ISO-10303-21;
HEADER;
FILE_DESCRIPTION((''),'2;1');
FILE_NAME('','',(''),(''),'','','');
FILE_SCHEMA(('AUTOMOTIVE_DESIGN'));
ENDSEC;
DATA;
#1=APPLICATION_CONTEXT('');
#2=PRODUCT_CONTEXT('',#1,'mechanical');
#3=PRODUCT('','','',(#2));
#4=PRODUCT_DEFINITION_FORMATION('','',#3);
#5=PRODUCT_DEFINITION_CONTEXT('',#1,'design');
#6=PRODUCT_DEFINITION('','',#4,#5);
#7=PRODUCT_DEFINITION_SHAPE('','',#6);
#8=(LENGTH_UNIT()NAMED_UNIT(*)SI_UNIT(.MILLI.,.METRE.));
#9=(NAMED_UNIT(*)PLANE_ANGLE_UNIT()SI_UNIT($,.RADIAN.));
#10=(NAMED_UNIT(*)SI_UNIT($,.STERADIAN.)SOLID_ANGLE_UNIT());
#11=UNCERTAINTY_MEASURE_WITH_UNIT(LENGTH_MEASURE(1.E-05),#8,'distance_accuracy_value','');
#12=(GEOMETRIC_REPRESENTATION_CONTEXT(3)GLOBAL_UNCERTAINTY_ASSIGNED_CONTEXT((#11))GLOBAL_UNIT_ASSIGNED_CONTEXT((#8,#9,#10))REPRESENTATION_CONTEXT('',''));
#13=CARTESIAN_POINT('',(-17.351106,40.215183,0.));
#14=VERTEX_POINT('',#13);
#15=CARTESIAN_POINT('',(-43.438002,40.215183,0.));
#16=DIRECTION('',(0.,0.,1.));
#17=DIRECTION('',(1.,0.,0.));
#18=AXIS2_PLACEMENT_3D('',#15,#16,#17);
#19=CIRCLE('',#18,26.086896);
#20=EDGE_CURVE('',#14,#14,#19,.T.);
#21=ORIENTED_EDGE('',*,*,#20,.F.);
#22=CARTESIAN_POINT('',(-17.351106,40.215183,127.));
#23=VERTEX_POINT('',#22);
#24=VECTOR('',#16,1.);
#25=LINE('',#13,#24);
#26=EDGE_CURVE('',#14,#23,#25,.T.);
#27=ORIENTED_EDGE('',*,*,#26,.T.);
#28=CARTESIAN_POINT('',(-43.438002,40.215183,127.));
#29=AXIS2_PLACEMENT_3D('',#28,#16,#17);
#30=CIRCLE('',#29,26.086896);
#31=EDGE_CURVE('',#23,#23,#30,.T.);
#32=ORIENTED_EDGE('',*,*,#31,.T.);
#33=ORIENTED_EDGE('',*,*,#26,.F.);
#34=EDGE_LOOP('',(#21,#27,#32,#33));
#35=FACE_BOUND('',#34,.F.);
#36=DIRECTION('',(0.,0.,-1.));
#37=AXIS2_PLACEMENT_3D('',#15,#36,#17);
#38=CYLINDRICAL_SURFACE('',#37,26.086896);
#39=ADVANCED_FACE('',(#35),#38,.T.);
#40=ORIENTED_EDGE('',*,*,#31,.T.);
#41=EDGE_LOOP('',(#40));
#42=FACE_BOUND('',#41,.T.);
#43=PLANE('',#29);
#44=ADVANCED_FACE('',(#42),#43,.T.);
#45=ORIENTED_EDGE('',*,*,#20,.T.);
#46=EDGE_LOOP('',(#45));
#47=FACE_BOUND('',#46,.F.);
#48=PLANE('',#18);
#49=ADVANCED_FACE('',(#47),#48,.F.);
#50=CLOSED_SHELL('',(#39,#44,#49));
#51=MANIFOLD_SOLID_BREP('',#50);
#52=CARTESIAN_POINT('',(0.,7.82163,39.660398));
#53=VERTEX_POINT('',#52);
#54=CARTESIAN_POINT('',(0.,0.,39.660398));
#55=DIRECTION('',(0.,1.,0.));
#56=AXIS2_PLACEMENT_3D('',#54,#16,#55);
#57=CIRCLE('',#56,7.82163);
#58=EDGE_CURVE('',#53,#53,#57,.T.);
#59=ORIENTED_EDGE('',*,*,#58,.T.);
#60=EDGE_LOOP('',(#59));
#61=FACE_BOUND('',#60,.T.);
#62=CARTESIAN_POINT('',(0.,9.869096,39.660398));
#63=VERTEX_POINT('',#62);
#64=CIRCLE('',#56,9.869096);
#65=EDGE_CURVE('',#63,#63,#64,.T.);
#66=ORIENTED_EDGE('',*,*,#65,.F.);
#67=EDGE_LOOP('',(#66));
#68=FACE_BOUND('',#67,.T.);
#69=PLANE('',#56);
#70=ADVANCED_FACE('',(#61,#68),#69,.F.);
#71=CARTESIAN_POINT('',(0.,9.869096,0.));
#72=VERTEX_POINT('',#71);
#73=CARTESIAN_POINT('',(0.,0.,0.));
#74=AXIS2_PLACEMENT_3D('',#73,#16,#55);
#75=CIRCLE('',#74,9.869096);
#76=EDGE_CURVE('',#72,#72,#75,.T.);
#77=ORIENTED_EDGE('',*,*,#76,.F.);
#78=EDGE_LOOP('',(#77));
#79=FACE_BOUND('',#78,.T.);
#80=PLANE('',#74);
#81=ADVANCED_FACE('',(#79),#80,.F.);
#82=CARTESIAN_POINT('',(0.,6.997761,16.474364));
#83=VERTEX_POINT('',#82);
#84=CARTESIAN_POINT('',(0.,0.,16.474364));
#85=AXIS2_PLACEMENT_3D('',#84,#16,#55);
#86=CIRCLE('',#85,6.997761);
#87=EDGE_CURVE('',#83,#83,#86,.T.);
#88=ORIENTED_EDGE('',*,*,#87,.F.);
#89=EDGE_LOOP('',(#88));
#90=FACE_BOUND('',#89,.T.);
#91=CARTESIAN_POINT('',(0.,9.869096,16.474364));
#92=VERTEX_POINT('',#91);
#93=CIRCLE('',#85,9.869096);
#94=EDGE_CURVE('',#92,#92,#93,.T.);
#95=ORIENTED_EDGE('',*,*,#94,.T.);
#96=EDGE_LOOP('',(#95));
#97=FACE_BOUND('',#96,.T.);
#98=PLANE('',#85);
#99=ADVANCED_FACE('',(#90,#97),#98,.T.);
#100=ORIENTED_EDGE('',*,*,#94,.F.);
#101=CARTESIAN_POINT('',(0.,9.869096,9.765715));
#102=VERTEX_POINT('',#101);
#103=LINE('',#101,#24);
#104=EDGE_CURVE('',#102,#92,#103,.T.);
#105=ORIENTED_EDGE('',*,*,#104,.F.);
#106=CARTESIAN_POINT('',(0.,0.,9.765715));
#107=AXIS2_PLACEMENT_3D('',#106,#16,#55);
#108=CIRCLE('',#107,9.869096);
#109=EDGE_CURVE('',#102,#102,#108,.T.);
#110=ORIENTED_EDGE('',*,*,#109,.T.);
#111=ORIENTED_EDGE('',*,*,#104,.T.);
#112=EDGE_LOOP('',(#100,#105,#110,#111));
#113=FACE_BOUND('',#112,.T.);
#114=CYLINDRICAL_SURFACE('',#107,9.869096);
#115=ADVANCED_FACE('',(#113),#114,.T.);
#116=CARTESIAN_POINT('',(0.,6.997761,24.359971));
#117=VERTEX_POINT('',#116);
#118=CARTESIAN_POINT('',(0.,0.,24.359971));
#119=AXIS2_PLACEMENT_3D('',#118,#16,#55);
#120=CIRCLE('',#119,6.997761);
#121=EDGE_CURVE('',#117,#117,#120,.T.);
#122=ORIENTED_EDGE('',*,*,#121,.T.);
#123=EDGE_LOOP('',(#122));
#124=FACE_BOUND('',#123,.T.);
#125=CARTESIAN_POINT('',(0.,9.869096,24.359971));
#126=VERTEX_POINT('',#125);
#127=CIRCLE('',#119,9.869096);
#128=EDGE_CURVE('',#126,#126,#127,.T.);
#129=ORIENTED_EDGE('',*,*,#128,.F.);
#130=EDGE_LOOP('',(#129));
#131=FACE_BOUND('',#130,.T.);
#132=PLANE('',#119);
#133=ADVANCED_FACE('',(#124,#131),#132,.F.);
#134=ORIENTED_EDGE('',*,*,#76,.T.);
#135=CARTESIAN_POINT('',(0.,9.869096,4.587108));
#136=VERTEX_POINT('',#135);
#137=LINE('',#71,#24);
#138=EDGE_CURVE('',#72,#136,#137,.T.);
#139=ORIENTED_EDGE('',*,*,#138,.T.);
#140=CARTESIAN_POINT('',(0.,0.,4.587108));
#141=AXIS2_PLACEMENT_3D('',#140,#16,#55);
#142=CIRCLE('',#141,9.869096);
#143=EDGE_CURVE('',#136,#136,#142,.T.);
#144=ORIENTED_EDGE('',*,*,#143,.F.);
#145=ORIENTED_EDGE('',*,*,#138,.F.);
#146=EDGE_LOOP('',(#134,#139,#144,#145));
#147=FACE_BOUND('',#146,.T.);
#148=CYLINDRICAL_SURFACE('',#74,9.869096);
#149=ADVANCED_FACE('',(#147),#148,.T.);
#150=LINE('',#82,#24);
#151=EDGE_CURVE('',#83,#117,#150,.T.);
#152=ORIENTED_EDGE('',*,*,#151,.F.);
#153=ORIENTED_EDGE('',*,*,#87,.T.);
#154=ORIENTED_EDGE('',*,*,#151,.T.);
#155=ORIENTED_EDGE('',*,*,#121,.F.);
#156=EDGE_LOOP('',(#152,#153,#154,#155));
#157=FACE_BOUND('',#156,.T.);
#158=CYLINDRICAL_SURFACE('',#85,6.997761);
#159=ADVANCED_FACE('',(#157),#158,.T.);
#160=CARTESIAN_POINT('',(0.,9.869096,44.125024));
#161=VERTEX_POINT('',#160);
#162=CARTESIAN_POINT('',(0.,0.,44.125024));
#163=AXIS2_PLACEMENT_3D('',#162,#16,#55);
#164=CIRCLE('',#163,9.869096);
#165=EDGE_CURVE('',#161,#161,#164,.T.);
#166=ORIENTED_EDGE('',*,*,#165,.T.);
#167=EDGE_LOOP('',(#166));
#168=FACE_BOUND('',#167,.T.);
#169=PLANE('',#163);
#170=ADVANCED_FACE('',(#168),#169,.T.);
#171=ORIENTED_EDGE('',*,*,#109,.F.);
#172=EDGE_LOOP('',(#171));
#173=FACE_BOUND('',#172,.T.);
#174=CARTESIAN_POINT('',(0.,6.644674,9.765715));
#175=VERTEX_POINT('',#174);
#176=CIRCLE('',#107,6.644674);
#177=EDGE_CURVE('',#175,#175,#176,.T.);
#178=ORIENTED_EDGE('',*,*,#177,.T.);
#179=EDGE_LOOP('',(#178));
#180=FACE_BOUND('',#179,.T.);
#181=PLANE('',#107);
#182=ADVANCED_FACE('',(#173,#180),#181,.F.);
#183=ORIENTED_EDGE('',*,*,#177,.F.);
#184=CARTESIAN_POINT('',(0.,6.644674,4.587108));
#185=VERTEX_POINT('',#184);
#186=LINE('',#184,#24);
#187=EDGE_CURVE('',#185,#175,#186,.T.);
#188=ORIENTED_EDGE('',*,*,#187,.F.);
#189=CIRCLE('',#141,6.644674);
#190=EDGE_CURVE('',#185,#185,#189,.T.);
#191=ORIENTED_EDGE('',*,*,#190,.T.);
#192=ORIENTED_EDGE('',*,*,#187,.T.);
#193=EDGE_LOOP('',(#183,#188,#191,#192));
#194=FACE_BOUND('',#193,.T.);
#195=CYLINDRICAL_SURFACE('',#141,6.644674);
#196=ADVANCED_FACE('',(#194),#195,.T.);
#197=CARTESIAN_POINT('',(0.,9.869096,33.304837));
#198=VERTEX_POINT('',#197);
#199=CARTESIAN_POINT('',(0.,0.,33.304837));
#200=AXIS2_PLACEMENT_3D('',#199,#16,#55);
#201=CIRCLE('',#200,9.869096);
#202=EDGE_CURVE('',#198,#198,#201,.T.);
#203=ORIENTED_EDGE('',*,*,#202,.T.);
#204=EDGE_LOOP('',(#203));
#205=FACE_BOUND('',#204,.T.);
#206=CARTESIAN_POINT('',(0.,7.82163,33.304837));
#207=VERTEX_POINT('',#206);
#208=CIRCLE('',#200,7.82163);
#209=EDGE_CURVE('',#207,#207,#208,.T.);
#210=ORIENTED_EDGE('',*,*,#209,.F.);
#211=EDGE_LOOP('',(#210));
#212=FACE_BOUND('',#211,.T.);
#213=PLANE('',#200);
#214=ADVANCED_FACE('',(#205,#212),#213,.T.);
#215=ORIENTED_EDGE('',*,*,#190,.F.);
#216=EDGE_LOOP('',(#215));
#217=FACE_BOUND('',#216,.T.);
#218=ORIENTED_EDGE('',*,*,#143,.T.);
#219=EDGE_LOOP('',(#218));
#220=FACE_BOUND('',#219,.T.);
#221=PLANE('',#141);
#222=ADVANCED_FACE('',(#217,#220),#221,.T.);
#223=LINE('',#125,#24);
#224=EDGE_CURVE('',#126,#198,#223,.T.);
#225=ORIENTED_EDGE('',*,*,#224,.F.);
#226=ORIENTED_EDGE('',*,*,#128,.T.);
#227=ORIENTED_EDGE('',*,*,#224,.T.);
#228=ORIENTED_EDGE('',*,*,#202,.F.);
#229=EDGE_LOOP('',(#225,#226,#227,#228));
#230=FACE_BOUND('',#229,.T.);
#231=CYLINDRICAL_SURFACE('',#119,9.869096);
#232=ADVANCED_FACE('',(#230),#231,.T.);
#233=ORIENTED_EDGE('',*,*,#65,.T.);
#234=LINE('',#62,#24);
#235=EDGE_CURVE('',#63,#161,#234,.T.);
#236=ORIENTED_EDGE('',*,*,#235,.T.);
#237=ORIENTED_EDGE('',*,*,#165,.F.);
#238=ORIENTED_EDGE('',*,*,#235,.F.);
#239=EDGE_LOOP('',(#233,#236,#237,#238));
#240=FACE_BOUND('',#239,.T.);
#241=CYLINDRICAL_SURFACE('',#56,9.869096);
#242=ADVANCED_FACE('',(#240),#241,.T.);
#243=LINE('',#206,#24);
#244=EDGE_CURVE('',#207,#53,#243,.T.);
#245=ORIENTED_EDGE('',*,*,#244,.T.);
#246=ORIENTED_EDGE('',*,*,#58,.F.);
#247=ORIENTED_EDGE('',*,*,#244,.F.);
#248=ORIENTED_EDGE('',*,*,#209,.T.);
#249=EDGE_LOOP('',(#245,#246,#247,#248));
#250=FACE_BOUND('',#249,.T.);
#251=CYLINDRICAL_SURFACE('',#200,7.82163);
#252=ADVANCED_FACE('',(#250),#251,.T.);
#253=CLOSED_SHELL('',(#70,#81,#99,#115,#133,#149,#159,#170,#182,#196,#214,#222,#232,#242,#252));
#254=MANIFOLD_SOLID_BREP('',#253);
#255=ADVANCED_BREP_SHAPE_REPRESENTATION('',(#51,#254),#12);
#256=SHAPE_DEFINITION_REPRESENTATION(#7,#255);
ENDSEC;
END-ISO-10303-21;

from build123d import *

# Parameters (mm, degrees)
F0_R     = 26.086896
F1_DEPTH = 127


with BuildPart() as f1:
    # F0 (on Top) → F1 (new body)
    with BuildSketch(Plane.XY):
        with Locations((-43.438002, 40.215183)):
            Circle(F0_R)
    extrude(amount=F1_DEPTH)


with BuildPart() as f3:
    # F2 (on Right) → F3 (revolve)
    with BuildSketch(Plane.YZ):
        Polygon((0, 44.125024), (0, 0), (9.869096, 0), (9.869096, 4.587108), (6.644674, 4.587108), (6.644674, 9.765715), (9.869096, 9.765715), (9.869096, 16.474364), (6.997761, 16.474364), (6.997761, 24.359971), (9.869096, 24.359971), (9.869096, 33.304837), (7.82163, 33.304837), (7.82163, 39.660398), (9.869096, 39.660398), (9.869096, 44.125024), align=None)
    revolve(axis=Axis((0, 0, 22.062512), (0, 0, 1)))


solid = Compound([f1.part, f3.part])
